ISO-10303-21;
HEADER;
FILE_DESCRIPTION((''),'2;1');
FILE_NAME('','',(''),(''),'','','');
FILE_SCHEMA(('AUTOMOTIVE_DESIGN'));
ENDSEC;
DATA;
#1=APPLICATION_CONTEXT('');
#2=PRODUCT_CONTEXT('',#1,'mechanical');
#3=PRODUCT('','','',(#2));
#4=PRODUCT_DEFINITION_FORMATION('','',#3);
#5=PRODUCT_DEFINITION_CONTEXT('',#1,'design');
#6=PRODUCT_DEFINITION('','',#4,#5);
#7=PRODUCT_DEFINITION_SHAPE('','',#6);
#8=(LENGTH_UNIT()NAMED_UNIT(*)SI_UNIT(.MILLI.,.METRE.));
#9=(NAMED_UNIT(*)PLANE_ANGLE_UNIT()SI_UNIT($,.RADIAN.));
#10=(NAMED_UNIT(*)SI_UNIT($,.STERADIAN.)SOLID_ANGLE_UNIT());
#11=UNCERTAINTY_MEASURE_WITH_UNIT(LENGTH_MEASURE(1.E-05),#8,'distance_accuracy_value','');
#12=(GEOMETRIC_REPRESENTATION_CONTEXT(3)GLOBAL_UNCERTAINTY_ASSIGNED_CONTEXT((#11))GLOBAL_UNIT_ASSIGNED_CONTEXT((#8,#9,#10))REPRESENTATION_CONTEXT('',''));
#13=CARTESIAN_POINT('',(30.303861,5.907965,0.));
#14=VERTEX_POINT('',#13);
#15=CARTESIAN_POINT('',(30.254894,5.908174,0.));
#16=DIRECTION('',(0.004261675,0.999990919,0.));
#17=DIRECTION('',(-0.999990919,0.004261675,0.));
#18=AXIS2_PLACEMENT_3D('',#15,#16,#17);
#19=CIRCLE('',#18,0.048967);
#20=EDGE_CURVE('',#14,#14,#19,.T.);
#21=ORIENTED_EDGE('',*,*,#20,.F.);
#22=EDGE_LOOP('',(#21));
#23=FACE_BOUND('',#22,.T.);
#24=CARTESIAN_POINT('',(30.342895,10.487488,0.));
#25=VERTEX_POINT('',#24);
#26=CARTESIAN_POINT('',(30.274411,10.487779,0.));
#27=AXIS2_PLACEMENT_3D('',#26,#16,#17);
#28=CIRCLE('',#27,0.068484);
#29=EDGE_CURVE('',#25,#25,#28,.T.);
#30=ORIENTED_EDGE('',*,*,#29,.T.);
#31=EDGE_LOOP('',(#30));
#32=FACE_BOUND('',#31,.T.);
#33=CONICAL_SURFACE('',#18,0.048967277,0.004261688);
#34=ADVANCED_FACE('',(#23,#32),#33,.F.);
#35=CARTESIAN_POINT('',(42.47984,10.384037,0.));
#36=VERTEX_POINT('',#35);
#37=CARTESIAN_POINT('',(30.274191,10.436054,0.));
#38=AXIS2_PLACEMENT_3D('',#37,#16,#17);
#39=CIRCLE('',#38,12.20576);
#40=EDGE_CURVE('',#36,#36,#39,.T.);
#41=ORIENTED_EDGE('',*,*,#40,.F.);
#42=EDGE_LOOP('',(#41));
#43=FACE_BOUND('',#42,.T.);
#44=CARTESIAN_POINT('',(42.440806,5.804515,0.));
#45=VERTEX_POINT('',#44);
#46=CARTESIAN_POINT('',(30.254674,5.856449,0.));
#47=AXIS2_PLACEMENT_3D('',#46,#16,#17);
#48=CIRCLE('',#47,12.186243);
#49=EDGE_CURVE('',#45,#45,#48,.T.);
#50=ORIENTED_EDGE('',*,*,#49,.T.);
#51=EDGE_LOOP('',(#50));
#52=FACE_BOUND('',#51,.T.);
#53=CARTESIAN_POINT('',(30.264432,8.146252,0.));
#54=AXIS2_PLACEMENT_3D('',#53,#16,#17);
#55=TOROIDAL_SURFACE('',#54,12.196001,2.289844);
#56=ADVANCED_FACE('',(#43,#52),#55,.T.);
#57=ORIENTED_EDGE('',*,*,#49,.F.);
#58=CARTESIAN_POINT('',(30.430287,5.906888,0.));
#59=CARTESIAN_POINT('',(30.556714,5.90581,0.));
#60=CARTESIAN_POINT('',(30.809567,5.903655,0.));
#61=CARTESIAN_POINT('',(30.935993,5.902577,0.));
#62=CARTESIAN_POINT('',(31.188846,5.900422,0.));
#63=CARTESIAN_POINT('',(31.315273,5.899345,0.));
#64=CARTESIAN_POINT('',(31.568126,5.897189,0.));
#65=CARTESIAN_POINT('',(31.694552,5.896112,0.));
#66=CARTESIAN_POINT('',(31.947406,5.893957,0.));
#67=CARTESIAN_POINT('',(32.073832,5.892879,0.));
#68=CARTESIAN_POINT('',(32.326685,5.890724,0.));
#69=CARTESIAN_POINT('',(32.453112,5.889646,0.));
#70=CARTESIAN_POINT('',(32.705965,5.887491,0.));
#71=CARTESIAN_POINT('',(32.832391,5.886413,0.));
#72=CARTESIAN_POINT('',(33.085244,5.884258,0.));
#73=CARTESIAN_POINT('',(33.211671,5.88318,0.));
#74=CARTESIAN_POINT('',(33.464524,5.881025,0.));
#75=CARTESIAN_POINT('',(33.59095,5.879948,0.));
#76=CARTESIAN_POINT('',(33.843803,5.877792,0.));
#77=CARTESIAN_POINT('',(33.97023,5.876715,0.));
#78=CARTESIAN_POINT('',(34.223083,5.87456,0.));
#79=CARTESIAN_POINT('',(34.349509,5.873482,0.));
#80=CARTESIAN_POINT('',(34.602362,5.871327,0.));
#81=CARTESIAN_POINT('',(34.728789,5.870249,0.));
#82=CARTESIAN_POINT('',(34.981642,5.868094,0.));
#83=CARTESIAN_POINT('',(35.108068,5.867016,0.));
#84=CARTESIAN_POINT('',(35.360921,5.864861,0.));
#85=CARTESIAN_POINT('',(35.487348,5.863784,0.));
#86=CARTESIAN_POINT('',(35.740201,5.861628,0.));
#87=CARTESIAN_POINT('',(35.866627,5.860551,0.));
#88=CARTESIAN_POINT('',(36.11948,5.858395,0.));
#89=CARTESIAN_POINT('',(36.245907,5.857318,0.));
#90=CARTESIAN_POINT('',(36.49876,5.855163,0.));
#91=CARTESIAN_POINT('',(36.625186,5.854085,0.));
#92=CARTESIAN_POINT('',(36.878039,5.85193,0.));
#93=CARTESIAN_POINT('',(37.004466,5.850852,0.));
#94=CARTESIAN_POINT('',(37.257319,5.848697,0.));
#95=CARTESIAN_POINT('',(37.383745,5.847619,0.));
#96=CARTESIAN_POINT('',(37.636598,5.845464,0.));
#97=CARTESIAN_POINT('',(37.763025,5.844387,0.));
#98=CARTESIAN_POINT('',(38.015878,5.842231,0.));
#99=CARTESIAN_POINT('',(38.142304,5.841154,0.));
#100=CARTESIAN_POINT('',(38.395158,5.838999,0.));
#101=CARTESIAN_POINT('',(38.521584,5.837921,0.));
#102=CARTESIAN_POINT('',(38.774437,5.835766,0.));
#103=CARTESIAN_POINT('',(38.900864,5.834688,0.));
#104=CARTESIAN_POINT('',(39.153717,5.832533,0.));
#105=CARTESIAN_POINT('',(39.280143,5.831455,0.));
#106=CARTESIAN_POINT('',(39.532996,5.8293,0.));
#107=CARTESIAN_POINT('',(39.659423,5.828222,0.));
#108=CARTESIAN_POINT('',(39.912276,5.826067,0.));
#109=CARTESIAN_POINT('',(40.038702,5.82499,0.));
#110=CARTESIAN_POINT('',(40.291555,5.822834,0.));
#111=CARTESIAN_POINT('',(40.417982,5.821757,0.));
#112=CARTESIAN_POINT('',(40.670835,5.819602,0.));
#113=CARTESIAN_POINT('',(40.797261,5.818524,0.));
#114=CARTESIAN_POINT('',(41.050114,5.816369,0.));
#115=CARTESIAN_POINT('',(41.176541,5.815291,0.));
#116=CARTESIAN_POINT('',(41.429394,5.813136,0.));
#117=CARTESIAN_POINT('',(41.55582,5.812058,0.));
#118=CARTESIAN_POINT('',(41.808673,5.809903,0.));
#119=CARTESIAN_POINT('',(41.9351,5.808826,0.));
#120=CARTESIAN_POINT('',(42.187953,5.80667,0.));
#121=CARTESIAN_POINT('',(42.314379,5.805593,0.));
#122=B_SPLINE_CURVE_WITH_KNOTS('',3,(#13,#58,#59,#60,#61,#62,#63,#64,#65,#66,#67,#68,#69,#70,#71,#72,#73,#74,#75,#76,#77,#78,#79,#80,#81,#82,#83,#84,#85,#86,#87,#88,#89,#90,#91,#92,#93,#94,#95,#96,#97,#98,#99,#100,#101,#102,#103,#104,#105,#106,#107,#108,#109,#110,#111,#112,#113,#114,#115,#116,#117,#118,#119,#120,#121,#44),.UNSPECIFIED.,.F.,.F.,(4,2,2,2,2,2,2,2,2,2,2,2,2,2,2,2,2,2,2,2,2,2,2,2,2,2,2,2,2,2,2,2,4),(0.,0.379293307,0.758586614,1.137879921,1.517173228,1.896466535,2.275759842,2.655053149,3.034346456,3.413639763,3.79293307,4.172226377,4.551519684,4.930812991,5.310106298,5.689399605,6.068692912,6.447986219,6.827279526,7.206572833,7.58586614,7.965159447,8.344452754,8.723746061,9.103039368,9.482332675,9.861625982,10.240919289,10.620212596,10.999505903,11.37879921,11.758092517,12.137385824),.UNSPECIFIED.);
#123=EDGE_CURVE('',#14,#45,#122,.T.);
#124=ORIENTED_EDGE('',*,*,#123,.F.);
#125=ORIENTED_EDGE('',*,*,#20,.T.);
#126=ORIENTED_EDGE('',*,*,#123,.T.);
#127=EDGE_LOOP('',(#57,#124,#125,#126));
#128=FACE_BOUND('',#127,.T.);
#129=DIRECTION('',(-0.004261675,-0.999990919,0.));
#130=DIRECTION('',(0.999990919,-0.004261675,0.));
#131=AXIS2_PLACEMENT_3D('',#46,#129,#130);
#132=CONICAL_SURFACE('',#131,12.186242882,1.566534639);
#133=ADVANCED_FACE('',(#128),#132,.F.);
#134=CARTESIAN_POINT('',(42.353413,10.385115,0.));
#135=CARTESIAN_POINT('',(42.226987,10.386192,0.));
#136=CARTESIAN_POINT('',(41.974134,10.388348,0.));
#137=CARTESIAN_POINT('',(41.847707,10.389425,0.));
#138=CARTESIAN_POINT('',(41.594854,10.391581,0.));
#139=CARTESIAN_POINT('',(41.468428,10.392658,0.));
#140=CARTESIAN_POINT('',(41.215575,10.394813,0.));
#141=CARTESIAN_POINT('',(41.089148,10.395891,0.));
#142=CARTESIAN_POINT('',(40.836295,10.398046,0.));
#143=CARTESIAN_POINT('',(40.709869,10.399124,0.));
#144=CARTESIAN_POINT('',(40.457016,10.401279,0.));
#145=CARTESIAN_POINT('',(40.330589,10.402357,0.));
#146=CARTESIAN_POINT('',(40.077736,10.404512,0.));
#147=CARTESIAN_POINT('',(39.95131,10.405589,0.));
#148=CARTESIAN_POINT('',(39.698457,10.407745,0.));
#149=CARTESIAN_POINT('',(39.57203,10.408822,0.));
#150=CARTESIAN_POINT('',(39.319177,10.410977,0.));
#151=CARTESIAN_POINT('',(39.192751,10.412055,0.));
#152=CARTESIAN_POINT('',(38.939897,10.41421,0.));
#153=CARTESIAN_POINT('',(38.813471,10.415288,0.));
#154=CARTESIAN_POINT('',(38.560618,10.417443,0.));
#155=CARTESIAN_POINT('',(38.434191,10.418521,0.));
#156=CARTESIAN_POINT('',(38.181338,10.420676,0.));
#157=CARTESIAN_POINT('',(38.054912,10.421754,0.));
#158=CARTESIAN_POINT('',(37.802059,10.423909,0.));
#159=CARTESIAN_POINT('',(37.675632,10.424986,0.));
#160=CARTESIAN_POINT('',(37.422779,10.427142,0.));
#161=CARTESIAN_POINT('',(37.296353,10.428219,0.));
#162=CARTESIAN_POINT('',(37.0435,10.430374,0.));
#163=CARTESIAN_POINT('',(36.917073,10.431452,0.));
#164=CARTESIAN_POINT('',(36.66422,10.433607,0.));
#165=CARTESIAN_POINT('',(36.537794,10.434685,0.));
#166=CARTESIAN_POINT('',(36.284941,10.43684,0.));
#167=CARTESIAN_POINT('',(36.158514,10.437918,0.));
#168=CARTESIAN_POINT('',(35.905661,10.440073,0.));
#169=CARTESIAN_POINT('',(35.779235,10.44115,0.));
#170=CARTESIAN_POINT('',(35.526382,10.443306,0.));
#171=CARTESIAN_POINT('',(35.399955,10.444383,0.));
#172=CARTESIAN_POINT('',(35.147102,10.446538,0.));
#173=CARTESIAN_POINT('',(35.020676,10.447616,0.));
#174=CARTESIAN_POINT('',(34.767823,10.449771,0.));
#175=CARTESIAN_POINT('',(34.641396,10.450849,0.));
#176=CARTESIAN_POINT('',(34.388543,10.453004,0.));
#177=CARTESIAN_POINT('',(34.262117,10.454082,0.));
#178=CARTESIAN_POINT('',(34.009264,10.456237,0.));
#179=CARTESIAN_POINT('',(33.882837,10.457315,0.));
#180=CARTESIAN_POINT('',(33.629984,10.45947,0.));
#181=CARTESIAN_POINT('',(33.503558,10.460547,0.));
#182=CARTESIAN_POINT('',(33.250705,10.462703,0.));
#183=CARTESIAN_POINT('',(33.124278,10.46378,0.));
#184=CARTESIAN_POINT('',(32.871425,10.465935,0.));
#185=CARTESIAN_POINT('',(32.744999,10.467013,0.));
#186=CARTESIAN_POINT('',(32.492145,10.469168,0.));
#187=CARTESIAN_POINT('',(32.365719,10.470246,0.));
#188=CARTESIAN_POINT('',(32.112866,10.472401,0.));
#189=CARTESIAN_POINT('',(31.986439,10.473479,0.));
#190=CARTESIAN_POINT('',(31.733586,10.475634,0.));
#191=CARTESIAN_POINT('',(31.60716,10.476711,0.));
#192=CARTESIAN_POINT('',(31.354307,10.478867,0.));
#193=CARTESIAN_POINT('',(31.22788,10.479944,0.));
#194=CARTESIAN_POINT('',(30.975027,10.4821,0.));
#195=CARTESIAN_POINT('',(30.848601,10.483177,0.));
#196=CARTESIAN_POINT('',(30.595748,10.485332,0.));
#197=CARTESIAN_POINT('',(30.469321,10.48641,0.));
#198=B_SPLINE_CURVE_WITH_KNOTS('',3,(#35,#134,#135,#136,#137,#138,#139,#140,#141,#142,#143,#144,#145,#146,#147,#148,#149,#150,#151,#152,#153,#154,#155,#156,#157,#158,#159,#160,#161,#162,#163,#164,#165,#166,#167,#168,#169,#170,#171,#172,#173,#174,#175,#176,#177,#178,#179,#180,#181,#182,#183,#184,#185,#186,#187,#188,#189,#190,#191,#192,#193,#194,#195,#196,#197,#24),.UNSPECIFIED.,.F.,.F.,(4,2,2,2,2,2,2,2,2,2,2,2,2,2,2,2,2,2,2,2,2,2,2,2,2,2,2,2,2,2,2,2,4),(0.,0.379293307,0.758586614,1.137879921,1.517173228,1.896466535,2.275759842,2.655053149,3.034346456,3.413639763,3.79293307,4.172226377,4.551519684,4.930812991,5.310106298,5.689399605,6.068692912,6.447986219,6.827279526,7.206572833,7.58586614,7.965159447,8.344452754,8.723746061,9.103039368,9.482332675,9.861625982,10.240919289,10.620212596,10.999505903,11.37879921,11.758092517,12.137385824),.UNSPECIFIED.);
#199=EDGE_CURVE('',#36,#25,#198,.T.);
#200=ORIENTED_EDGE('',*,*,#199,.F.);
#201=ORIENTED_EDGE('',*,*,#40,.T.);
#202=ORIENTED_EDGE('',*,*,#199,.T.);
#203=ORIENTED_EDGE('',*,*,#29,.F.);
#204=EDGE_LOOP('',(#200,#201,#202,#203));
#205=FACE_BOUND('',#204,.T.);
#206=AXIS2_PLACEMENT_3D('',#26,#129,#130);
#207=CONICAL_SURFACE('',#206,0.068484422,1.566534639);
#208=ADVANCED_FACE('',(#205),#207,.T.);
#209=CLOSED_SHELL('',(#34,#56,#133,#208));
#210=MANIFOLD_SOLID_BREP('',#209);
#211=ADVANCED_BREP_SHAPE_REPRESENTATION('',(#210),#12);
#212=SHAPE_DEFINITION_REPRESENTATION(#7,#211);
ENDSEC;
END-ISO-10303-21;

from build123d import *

# Parameters (mm, degrees)
SCALE1_SCALE = 0.5
SCALE2_SCALE = 0.3
SCALE3_SCALE = 0.5
SCALE5_SCALE = 5


with BuildPart() as part:
    # Sketch1 → Revolve1 (revolve)
    with BuildSketch(Plane.XY, mode=Mode.PRIVATE) as revolve1_sk:
        with BuildLine():
            Line((-2.258036414, 14.369211187), (30.108325784, 14.369211187))
            Line((30.108325784, 14.369211187), (30.108325784, 2.156708547))
            Line((30.108325784, 2.156708547), (-2.258036414, 2.156708547))
            ThreePointArc((-2.258036414, 2.156708547), (-8.364287734, 8.262959867), (-2.258036414, 14.369211187))
        make_face()
    revolve(revolve1_sk.sketch.rotate(Axis((30.290952568, 14.369211187, 0), (-0.004261675171453159, -0.9999909190211345, 0)), 180), axis=Axis((30.290952568, 14.369211187, 0), (-0.004261675171453159, -0.9999909190211345, 0)))


with BuildPart() as part_1:
    # Scale1: scaled about (30.264488075, 8.159387293, 0)
    add(part.part.scale(SCALE1_SCALE).moved(Location((15.132244037, 4.079693646, 0))))


with BuildPart() as part_2:
    # Scale2: scaled about (30.264488075, 8.159387293, 0)
    add(part_1.part.scale(SCALE2_SCALE).moved(Location((21.185141652, 5.711571105, 0))))


with BuildPart() as part_3:
    # Scale3: scaled about (30.264488075, 8.159387293, 0)
    add(part_2.part.scale(SCALE3_SCALE).moved(Location((15.132244037, 4.079693646, 0))))


with BuildPart() as part_4:
    # Scale5: scaled about (30.264488075, 8.159387293, 0)
    add(part_3.part.scale(SCALE5_SCALE).moved(Location((-121.0579523, -32.637549172, 0))))


solid = part_4.part
